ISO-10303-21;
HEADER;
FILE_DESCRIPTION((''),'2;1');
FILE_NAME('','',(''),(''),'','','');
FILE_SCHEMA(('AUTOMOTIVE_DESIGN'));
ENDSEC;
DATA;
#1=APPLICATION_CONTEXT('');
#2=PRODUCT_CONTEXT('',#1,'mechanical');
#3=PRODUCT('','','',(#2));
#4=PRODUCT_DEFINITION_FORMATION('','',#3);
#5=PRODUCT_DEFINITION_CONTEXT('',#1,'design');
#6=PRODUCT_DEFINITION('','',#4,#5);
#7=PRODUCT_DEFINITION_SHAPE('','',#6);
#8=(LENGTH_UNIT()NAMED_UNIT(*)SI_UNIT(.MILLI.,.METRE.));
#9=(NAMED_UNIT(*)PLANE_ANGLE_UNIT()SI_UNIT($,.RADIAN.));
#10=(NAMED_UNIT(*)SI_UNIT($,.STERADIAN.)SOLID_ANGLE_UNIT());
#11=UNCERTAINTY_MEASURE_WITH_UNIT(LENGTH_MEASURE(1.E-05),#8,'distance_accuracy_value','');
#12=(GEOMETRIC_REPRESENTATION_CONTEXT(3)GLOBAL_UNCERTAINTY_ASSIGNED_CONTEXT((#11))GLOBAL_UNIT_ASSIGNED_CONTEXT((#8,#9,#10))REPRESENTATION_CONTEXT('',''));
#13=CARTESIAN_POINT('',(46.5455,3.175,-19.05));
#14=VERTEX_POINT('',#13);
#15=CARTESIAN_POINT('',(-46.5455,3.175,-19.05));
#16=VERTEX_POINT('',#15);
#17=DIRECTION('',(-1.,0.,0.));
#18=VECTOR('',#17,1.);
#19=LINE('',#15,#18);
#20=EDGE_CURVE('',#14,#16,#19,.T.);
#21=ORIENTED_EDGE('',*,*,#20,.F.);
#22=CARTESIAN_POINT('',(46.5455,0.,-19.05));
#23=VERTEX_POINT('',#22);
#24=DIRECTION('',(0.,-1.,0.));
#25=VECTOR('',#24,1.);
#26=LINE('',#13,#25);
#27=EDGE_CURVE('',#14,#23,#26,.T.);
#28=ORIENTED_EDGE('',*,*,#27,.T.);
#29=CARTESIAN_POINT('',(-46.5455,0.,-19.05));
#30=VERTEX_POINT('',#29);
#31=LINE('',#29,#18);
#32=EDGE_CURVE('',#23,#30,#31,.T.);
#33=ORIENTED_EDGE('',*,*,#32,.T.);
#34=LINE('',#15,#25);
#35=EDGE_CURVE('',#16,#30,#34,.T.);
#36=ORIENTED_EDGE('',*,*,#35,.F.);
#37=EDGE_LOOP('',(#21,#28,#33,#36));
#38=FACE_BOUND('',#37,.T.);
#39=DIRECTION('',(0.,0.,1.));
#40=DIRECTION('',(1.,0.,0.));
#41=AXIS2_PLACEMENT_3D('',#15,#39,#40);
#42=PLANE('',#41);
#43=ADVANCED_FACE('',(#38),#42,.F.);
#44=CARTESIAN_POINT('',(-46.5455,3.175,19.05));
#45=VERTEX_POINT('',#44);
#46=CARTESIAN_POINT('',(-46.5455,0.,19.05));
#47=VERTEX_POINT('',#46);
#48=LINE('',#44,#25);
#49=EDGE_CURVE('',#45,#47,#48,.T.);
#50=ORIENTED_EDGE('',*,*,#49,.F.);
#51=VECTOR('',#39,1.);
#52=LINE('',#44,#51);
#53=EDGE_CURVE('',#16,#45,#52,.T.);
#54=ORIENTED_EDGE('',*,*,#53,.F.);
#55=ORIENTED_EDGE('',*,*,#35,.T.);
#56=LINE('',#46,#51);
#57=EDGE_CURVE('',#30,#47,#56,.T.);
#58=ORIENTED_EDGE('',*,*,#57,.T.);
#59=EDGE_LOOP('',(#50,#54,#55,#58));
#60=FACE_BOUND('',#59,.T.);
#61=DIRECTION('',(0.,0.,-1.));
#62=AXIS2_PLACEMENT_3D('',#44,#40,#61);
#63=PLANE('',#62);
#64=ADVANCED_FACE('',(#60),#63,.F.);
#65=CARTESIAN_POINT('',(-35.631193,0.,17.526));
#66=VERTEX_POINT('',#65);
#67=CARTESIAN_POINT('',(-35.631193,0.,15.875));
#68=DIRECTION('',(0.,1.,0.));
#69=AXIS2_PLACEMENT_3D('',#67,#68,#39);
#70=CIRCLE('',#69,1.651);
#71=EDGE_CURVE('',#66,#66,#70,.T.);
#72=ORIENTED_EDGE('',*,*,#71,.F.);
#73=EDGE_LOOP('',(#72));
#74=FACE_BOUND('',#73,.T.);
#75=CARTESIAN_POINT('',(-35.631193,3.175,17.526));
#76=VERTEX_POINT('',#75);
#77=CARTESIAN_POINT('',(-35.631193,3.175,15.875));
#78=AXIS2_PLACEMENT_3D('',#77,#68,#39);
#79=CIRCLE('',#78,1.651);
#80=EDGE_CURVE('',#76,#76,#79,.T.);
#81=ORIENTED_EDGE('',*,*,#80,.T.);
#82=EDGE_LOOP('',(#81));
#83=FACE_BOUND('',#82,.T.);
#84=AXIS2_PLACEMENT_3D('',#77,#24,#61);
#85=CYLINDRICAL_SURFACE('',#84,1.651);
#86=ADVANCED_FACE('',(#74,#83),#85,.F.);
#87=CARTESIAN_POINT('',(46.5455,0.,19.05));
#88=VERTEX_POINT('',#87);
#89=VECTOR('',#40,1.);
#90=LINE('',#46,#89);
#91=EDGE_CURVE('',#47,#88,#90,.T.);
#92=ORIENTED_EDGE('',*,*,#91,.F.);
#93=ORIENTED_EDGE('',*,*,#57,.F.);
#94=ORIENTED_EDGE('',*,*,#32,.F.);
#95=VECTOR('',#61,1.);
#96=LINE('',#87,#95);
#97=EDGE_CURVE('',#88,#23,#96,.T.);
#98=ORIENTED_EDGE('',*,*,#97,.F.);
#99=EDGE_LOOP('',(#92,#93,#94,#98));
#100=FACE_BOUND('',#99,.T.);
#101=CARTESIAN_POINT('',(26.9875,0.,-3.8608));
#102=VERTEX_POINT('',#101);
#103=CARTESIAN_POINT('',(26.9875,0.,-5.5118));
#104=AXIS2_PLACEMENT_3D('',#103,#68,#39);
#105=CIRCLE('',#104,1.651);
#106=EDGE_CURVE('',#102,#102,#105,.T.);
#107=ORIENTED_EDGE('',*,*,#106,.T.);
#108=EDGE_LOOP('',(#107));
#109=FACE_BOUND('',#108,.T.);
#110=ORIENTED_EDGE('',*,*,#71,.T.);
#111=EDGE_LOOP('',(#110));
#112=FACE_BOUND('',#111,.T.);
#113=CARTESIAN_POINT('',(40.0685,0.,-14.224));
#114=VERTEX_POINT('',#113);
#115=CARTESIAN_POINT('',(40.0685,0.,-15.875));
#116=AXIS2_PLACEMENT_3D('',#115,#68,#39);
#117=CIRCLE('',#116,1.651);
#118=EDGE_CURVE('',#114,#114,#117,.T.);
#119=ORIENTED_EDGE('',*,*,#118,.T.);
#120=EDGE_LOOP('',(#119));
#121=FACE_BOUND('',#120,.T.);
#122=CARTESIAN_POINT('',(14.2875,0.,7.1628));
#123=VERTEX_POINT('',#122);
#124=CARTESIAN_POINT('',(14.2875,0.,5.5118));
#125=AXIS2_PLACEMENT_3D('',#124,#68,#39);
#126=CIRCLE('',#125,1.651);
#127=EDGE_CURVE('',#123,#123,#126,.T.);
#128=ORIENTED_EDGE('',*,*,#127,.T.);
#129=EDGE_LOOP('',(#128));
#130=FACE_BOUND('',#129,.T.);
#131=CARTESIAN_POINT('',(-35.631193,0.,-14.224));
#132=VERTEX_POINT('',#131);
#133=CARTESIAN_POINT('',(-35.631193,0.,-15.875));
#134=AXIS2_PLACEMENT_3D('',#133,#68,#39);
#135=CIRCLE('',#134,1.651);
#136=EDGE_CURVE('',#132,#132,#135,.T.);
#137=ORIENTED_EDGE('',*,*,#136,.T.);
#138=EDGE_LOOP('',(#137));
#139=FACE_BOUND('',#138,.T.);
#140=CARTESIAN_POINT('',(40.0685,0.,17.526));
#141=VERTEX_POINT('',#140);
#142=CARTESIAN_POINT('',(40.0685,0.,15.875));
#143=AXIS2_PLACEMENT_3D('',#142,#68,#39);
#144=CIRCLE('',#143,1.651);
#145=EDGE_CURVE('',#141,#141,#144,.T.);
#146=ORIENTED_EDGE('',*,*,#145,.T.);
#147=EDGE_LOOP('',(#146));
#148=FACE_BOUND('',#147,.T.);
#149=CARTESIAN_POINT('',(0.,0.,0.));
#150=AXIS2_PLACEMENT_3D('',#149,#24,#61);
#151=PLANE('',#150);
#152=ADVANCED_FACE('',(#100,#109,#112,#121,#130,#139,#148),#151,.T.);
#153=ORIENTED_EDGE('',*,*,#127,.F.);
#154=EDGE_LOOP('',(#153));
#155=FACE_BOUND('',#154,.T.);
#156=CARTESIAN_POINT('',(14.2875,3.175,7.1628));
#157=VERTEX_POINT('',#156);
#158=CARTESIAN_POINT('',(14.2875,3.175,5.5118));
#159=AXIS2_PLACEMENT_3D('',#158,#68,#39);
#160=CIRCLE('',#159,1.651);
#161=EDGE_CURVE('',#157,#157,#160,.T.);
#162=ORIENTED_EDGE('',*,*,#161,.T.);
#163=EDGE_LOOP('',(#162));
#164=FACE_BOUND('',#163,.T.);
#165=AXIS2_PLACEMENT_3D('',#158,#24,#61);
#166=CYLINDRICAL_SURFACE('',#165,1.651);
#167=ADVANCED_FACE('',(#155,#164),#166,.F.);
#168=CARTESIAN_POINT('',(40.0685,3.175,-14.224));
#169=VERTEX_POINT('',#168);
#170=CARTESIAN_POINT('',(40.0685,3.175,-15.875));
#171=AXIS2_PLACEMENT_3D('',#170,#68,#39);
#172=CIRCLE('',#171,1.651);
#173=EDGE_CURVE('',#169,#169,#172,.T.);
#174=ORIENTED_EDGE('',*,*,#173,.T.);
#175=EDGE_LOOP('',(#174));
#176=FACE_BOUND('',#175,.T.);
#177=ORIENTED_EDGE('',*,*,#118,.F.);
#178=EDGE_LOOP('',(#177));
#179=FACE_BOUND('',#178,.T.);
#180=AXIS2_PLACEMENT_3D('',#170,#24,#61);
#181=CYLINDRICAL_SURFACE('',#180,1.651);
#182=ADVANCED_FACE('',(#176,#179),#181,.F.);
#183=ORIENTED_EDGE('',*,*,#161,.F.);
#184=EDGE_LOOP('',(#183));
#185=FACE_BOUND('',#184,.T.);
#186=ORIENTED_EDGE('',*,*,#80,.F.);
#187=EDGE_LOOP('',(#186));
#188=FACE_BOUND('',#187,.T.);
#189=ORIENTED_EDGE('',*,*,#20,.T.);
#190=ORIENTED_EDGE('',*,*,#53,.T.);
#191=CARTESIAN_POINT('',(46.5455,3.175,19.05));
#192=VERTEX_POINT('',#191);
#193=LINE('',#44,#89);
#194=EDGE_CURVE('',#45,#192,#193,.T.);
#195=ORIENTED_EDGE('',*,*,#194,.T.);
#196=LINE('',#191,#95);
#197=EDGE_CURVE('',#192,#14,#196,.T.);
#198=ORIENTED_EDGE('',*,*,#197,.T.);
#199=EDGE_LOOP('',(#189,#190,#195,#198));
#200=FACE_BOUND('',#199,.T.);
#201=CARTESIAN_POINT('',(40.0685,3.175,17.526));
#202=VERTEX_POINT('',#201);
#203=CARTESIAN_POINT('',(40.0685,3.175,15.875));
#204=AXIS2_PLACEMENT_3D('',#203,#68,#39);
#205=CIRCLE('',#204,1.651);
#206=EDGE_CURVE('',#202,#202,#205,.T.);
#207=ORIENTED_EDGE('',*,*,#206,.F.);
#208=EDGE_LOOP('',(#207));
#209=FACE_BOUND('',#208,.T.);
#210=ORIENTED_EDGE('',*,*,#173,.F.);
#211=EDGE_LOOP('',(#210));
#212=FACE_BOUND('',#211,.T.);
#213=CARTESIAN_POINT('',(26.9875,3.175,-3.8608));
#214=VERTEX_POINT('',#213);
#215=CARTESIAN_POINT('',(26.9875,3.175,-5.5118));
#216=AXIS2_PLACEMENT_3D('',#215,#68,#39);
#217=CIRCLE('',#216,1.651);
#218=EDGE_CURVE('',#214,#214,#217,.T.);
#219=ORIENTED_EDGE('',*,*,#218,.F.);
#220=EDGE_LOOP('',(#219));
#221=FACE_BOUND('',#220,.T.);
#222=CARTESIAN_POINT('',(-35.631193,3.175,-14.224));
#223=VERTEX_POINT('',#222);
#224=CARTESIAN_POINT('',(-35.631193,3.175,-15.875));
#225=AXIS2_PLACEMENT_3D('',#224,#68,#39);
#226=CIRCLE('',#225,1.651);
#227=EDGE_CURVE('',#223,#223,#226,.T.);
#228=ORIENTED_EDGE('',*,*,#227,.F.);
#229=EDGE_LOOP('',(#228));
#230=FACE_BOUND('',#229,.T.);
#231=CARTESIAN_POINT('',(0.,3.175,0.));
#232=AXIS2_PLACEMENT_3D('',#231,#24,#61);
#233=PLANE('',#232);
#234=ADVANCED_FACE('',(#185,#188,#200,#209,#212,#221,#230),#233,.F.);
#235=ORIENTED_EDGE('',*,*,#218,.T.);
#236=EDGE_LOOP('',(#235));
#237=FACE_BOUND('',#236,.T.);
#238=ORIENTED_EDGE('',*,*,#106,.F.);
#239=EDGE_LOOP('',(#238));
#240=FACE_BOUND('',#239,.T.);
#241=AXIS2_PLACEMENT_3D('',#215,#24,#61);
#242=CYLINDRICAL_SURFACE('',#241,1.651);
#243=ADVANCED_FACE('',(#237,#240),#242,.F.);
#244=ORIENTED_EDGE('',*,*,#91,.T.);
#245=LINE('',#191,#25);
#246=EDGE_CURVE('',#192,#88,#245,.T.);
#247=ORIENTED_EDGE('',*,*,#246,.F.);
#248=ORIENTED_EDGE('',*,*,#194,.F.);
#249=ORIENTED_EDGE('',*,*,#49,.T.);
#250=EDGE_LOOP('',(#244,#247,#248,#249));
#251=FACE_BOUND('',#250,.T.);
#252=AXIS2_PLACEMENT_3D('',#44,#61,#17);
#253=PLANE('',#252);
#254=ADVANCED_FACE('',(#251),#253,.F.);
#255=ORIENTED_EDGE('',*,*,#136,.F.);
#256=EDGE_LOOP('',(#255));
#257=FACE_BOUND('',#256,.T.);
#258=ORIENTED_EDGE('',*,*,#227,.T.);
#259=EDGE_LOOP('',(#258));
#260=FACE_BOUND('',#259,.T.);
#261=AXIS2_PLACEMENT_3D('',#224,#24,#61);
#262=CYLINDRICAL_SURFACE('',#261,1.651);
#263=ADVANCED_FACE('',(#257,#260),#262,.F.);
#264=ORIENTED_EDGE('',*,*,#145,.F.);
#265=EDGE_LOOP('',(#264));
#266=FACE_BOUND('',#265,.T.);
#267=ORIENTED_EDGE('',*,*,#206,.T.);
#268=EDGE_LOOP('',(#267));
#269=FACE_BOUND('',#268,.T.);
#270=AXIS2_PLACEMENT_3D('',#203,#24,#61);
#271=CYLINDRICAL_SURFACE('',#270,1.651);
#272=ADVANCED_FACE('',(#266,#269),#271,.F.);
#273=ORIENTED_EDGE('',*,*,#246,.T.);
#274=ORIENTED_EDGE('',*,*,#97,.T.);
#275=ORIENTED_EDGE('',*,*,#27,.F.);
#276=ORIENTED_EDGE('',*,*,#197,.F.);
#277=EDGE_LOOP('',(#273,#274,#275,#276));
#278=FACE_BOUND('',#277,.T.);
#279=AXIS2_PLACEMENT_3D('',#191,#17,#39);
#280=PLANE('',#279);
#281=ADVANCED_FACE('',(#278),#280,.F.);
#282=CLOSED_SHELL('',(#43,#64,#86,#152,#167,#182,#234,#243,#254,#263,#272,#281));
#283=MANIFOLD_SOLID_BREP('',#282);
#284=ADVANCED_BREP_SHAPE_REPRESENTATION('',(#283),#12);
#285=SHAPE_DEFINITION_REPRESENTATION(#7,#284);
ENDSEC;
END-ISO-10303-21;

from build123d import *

# Parameters (mm, degrees)
SKETCH1_W           = 93.091
SKETCH1_H           = 38.1
SKETCH1_R           = 1.651
BOSS_EXTRUDE1_DEPTH = 3.175


with BuildPart() as part:
    # Sketch1 → Boss-Extrude1 (new body)
    with BuildSketch(Plane(origin=(0, 0, 0), x_dir=(1, 0, 0), z_dir=(0, 1, 0))):
        Rectangle(SKETCH1_W, SKETCH1_H)
        with Locations(Location((40.0685, 15.875, 0), (0, 0, 270))):
            Circle(SKETCH1_R, mode=Mode.SUBTRACT)
        with Locations(Location((40.0685, -15.875, 0), (0, 0, 270))):
            Circle(SKETCH1_R, mode=Mode.SUBTRACT)
        with Locations(Location((-35.631192741, -15.875, 0), (0, 0, 270))):
            Circle(SKETCH1_R, mode=Mode.SUBTRACT)
        with Locations(Location((-35.631192741, 15.875, 0), (0, 0, 270))):
            Circle(SKETCH1_R, mode=Mode.SUBTRACT)
        with Locations(Location((26.9875, 5.5118, 0), (0, 0, 270))):
            Circle(SKETCH1_R, mode=Mode.SUBTRACT)
        with Locations(Location((14.2875, -5.5118, 0), (0, 0, 270))):
            Circle(SKETCH1_R, mode=Mode.SUBTRACT)
    extrude(amount=BOSS_EXTRUDE1_DEPTH)


solid = part.part
